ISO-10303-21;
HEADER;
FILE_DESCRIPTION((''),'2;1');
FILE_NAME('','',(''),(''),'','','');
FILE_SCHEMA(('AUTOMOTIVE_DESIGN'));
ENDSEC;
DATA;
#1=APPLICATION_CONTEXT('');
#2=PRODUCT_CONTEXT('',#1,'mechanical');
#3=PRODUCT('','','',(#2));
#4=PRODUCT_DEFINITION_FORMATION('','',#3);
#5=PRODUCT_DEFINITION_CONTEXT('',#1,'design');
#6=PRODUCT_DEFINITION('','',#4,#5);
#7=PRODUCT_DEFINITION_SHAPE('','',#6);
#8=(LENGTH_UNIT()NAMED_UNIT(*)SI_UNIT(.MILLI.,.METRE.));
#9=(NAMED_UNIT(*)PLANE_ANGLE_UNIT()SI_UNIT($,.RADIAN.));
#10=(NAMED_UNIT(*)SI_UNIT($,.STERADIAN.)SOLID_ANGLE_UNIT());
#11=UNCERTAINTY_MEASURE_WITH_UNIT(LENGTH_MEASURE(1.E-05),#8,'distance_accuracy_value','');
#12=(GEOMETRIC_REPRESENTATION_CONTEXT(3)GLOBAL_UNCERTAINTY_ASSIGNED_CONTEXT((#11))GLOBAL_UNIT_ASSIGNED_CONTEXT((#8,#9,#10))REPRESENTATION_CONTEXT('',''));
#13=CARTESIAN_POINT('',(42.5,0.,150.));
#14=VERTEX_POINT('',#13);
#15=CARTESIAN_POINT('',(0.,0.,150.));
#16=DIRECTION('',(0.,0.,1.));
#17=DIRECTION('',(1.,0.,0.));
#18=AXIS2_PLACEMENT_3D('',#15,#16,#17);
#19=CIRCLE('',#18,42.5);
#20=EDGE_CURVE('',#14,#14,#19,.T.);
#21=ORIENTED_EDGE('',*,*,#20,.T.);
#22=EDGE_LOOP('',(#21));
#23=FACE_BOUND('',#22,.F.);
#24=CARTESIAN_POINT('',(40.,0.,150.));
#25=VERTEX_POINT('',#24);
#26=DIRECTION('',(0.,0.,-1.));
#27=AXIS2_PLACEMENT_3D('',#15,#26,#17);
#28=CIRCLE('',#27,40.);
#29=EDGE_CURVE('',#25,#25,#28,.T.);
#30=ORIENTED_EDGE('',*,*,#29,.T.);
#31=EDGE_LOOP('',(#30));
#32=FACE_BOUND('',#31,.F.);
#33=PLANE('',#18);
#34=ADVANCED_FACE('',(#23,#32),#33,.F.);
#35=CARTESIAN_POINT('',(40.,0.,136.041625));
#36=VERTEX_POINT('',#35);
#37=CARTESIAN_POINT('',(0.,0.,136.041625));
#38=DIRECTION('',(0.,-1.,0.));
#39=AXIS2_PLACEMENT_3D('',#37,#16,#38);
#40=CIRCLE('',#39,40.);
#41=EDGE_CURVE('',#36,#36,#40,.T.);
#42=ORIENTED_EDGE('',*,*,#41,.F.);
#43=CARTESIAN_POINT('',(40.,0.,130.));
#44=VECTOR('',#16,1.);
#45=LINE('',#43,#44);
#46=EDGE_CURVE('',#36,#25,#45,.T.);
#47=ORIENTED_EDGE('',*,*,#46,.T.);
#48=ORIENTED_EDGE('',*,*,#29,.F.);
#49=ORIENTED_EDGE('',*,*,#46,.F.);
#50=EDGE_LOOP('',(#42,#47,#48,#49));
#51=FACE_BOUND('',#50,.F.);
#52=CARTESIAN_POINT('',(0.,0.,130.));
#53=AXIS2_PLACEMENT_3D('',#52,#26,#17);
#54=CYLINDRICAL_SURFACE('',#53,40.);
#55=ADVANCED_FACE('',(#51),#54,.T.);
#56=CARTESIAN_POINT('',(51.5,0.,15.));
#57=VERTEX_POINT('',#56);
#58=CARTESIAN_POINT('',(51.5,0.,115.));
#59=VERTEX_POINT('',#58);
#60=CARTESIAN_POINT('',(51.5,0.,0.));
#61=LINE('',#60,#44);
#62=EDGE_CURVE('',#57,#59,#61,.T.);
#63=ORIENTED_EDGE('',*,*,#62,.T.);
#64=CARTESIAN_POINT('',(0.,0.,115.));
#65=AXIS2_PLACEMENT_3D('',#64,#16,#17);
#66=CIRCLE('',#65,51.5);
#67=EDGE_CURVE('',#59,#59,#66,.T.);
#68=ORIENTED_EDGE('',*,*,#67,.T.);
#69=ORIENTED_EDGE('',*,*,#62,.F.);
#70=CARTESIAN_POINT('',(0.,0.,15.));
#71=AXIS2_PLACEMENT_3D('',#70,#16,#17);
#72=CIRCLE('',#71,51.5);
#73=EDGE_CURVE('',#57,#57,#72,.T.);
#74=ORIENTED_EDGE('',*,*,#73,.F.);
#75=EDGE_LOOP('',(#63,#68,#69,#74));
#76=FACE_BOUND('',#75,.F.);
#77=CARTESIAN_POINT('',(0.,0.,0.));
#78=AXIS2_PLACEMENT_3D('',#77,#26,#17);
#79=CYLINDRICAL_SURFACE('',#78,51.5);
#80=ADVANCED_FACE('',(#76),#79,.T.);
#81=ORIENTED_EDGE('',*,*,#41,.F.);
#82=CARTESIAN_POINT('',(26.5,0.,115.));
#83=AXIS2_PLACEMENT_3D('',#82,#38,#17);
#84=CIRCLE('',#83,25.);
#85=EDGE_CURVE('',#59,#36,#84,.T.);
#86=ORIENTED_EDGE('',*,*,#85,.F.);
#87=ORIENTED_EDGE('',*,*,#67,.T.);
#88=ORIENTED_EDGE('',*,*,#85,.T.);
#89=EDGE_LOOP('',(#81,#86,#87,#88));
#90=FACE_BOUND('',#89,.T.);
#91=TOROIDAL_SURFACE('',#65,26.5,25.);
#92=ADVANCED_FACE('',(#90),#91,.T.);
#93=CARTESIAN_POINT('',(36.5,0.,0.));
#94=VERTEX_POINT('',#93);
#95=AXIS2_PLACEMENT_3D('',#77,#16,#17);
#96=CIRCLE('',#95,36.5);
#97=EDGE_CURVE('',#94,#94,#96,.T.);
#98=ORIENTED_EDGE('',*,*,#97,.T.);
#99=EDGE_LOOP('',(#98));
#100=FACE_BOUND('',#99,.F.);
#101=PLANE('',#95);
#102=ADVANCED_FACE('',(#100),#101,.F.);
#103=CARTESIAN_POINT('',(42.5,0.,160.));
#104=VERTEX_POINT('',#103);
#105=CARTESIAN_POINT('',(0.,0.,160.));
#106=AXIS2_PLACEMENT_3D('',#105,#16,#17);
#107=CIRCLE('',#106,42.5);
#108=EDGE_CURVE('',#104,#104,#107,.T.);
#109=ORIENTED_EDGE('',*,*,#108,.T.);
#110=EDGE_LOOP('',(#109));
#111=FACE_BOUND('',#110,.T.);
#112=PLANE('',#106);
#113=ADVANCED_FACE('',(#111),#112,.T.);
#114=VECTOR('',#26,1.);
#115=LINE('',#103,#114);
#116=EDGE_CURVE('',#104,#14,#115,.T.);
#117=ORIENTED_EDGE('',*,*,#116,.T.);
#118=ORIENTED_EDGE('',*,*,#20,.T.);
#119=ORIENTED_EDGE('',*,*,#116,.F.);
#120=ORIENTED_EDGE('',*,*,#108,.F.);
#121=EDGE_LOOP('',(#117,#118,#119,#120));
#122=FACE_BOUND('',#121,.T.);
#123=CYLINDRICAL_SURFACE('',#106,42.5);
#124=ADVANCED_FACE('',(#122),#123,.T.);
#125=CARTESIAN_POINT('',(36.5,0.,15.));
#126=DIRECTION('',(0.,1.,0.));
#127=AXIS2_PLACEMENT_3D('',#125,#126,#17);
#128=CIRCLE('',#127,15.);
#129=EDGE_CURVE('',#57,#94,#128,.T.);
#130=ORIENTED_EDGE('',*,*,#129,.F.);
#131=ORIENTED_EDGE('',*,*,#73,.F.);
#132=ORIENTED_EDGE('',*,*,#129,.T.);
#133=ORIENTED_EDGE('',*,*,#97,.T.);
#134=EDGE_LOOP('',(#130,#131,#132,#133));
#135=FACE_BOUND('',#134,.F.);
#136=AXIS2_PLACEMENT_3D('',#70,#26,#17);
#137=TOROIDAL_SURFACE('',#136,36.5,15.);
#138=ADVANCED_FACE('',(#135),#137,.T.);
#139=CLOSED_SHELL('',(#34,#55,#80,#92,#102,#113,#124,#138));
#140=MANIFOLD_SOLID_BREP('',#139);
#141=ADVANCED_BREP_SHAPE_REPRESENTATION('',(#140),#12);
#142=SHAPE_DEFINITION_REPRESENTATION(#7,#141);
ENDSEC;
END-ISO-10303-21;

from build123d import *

# Parameters (mm, degrees)
SKETCH_R     = 51.5
PAD_DEPTH    = 140
FILLET_R     = 25
FILLET001_R  = 15
SKETCH001_R  = 40
PAD001_DEPTH = 30
SKETCH002_R  = 42.5
PAD002_DEPTH = 10


with BuildPart() as part:
    # Sketch → Pad (new body)
    with BuildSketch(Plane.XY):
        Circle(SKETCH_R)
    extrude(amount=PAD_DEPTH)

    # Fillet
    fillet_edges = [part.edges().sort_by_distance(p)[0] for p in [
        (-51.5, 0, 140),
    ]]
    fillet(fillet_edges, radius=FILLET_R)

    # Fillet001
    fillet001_edges = [part.edges().sort_by_distance(p)[0] for p in [
        (-51.5, 0, 0),
    ]]
    fillet(fillet001_edges, radius=FILLET001_R)

    # Sketch001 (on Face5 of Fillet001) → Pad001 (join)
    with BuildSketch(Plane.XY.offset(130)):
        Circle(SKETCH001_R)
    extrude(amount=PAD001_DEPTH)

    # Sketch002 (on Face6 of Pad001) → Pad002 (join)
    with BuildSketch(Plane.XY.offset(160)):
        Circle(SKETCH002_R)
    extrude(amount=-PAD002_DEPTH)


solid = part.part
